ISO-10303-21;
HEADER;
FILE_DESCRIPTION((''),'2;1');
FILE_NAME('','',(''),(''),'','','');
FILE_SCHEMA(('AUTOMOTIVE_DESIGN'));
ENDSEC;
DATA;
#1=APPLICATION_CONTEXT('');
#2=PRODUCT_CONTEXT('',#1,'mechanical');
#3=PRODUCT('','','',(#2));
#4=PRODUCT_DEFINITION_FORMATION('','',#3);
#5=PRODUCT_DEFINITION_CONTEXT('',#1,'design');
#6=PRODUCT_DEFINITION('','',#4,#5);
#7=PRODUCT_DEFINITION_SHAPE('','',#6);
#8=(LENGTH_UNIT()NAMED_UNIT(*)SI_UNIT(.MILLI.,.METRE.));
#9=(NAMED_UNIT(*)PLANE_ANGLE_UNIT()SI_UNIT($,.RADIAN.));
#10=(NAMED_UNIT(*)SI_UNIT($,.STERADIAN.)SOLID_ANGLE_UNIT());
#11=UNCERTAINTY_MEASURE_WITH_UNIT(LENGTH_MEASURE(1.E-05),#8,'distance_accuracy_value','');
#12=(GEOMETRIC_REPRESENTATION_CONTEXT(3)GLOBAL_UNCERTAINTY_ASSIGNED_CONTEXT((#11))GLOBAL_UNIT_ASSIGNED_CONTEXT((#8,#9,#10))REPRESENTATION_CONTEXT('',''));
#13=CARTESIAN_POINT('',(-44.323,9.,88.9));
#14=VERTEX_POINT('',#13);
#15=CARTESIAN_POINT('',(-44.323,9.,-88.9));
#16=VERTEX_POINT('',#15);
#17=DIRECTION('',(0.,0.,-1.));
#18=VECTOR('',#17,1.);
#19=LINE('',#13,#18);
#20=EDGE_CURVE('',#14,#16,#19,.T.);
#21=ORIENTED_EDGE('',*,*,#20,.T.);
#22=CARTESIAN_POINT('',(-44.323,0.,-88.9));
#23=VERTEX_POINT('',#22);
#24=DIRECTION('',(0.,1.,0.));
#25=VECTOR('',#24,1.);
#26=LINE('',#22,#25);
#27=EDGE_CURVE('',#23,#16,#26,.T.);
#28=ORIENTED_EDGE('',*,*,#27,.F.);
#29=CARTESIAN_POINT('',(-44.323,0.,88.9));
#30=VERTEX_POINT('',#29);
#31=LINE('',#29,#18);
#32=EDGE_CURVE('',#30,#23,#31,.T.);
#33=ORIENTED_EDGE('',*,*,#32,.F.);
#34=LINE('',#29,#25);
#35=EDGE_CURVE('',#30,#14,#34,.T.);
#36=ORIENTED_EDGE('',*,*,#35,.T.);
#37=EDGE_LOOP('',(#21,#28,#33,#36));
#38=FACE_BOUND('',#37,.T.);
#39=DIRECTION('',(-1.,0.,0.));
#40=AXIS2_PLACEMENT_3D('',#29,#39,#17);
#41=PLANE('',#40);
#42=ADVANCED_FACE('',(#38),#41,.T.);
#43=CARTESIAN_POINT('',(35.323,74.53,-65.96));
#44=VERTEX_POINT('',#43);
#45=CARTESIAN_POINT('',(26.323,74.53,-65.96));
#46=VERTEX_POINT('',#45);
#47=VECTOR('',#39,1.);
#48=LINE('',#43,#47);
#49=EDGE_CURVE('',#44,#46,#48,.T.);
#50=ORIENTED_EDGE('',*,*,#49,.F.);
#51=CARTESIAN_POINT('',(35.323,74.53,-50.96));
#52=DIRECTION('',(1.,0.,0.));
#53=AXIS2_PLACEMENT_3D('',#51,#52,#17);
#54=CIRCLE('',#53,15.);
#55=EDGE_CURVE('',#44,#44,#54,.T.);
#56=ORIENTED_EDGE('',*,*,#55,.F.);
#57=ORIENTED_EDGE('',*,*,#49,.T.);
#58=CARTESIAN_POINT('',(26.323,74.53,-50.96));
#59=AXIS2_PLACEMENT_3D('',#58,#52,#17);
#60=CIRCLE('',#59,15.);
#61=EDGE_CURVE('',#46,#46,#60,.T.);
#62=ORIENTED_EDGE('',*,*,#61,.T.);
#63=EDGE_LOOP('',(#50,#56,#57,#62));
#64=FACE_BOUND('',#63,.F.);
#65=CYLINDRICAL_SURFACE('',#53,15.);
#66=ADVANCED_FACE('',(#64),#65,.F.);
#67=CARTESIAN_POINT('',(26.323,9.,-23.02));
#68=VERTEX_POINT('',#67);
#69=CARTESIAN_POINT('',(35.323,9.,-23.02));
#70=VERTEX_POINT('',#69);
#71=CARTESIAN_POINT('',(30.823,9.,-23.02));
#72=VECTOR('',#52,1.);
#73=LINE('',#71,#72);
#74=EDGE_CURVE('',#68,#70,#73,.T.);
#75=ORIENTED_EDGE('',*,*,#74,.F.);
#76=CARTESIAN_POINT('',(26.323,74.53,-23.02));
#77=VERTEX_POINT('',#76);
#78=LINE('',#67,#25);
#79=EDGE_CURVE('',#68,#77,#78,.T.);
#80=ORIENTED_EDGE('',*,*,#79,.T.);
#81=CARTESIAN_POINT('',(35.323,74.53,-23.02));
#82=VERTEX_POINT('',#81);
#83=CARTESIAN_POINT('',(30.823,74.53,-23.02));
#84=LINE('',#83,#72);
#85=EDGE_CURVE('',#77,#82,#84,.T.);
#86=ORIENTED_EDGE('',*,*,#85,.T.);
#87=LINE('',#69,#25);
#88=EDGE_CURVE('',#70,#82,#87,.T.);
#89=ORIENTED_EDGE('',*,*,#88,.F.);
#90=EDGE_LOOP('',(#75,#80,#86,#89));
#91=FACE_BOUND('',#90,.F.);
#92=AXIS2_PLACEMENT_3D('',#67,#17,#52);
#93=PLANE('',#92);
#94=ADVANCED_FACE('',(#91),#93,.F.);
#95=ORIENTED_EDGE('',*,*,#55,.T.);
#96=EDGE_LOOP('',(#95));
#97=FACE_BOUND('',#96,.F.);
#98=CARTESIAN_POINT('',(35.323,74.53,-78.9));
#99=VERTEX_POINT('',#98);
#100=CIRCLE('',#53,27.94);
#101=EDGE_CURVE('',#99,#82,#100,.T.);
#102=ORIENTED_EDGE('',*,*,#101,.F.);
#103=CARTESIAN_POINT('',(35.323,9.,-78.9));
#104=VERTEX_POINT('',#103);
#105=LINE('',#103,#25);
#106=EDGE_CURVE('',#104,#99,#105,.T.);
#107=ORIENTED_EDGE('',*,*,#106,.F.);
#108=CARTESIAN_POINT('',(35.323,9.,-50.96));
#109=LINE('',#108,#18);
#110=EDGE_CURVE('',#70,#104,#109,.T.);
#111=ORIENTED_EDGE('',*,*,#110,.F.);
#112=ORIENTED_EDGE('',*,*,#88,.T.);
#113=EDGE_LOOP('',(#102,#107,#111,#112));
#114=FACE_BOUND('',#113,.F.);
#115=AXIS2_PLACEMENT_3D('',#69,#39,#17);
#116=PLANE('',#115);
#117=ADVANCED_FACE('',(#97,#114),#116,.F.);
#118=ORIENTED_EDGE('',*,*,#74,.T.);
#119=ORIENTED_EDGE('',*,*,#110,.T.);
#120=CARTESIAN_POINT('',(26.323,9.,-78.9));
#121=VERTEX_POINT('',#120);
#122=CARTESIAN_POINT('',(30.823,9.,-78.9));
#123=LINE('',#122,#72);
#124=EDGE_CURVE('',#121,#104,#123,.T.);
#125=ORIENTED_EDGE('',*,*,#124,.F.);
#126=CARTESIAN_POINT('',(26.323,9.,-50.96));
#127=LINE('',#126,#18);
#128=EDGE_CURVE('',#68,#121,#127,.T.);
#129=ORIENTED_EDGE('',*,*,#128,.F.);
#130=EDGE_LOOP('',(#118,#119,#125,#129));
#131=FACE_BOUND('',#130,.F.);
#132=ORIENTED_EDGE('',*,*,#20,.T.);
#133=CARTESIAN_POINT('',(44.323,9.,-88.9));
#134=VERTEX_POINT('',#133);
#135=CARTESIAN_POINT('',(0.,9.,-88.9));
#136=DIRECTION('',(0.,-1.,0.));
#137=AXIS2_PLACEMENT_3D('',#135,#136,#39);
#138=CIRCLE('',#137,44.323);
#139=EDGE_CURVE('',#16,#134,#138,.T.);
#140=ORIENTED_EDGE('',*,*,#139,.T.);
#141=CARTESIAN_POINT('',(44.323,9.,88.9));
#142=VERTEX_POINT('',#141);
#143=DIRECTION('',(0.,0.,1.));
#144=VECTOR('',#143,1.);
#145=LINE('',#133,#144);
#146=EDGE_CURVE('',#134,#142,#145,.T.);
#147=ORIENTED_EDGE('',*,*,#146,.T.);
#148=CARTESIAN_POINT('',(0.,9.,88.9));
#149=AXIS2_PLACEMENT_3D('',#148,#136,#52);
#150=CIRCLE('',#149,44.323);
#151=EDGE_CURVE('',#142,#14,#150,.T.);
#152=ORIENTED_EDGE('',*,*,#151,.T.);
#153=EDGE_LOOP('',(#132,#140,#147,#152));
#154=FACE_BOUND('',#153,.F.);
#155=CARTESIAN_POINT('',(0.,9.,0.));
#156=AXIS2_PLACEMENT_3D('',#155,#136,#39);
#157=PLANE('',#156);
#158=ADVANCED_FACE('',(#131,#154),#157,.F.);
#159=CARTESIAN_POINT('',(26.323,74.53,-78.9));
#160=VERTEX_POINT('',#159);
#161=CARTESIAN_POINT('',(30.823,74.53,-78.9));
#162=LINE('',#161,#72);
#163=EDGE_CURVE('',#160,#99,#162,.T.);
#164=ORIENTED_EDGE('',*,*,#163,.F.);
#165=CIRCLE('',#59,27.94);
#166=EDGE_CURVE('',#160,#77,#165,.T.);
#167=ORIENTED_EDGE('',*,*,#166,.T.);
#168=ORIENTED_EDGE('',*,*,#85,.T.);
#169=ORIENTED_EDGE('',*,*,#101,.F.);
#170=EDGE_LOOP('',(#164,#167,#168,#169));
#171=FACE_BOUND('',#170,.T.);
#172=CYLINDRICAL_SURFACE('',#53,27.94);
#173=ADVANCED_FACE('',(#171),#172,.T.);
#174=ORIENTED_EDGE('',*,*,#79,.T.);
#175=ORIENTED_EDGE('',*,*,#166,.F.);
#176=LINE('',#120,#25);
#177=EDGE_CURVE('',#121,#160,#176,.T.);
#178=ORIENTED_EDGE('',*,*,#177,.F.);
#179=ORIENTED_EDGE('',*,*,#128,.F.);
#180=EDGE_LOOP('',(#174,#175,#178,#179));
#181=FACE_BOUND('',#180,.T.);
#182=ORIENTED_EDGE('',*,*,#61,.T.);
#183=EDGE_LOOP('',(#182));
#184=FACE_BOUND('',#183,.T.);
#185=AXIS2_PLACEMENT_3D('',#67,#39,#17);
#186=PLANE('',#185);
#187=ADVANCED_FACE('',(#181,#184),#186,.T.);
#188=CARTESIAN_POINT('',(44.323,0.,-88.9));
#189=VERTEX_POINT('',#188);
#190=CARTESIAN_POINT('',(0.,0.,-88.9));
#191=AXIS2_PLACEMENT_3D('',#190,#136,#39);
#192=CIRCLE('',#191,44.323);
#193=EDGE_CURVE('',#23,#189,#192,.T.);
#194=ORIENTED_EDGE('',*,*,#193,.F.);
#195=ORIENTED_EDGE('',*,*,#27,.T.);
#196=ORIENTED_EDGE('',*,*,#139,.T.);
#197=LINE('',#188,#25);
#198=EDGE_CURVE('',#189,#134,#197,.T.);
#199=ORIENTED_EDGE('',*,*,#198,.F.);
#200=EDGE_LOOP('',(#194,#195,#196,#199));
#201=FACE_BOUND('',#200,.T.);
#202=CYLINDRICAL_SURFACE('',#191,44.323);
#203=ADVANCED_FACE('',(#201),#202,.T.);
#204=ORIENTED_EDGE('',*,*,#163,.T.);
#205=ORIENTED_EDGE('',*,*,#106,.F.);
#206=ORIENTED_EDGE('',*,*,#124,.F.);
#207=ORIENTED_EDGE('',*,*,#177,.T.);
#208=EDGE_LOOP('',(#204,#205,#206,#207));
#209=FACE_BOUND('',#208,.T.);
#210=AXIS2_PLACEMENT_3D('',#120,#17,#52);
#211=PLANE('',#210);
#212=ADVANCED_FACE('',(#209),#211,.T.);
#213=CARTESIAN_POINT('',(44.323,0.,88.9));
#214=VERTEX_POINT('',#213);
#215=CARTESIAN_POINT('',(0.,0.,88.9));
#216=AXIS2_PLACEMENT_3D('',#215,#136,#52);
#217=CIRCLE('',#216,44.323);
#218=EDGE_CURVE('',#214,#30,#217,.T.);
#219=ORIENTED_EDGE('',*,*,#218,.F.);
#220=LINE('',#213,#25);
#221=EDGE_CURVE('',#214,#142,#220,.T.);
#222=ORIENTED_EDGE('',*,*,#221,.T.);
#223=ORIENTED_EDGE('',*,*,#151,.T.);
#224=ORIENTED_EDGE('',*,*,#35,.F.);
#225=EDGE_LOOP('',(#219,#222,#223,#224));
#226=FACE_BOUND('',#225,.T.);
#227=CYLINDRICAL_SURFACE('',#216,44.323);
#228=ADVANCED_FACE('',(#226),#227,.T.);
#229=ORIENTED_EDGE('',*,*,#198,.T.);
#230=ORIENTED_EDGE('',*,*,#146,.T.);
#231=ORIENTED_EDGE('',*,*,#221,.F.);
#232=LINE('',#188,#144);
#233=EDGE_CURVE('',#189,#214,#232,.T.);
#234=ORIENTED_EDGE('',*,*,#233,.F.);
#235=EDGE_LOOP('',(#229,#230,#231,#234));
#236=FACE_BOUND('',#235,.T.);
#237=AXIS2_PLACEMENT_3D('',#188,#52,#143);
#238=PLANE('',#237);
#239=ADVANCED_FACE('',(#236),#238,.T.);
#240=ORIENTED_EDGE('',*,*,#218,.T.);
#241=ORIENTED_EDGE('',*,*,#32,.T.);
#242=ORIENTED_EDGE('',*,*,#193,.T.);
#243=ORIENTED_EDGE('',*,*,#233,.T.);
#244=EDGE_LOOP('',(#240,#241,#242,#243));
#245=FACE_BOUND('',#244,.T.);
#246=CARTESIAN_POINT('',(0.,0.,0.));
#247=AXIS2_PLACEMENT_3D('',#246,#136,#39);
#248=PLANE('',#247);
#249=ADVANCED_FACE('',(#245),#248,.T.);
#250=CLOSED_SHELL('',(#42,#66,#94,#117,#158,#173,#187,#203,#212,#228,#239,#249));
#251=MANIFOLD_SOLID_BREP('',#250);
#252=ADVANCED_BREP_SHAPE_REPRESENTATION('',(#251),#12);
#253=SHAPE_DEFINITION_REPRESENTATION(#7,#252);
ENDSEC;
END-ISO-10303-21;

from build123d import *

# Parameters (mm, degrees)
BOSS_EXTRUDE1_DEPTH = 9
SKETCH2_W           = 9
SKETCH2_H           = 55.88
BOSS_EXTRUDE2_DEPTH = 65.53
SKETCH3_R           = 27.94
BOSS_EXTRUDE3_DEPTH = 9
SKETCH4_R           = 15
CUT_EXTRUDE1_DEPTH  = 80.646


with BuildPart() as part:
    # Sketch1 → Boss-Extrude1 (new body)
    with BuildSketch(Plane(origin=(0, 0, 0), x_dir=(1, 0, 0), z_dir=(0, 1, 0))):
        with BuildLine():
            Line((44.323, 88.9), (44.323, -88.9))
            ThreePointArc((44.323, -88.9), (0, -133.223), (-44.323, -88.9))
            Line((-44.323, -88.9), (-44.323, 88.9))
            ThreePointArc((-44.323, 88.9), (0, 133.223), (44.323, 88.9))
        make_face()
    extrude(amount=BOSS_EXTRUDE1_DEPTH)

    # Sketch2 → Boss-Extrude2 (add)
    with BuildSketch(Plane(origin=(0, 9, 0), x_dir=(1, 0, 0), z_dir=(0, 1, 0))):
        with Locations((30.823, 50.96)):
            Rectangle(SKETCH2_W, SKETCH2_H)
    extrude(amount=BOSS_EXTRUDE2_DEPTH)

    # Sketch3 → Boss-Extrude3 (add)
    with BuildSketch(Plane(origin=(35.323, 0, 0), x_dir=(0, 0, -1), z_dir=(1, 0, 0))):
        with Locations((50.96, 74.53)):
            Circle(SKETCH3_R)
    extrude(amount=-BOSS_EXTRUDE3_DEPTH)

    # Sketch4 → Cut-Extrude1 (cut, through all)
    with BuildSketch(Plane(origin=(35.323, 0, 0), x_dir=(0, 0, -1), z_dir=(1, 0, 0))):
        with Locations((50.96, 74.53)):
            Circle(SKETCH4_R)
    extrude(amount=-CUT_EXTRUDE1_DEPTH, mode=Mode.SUBTRACT)


solid = part.part
